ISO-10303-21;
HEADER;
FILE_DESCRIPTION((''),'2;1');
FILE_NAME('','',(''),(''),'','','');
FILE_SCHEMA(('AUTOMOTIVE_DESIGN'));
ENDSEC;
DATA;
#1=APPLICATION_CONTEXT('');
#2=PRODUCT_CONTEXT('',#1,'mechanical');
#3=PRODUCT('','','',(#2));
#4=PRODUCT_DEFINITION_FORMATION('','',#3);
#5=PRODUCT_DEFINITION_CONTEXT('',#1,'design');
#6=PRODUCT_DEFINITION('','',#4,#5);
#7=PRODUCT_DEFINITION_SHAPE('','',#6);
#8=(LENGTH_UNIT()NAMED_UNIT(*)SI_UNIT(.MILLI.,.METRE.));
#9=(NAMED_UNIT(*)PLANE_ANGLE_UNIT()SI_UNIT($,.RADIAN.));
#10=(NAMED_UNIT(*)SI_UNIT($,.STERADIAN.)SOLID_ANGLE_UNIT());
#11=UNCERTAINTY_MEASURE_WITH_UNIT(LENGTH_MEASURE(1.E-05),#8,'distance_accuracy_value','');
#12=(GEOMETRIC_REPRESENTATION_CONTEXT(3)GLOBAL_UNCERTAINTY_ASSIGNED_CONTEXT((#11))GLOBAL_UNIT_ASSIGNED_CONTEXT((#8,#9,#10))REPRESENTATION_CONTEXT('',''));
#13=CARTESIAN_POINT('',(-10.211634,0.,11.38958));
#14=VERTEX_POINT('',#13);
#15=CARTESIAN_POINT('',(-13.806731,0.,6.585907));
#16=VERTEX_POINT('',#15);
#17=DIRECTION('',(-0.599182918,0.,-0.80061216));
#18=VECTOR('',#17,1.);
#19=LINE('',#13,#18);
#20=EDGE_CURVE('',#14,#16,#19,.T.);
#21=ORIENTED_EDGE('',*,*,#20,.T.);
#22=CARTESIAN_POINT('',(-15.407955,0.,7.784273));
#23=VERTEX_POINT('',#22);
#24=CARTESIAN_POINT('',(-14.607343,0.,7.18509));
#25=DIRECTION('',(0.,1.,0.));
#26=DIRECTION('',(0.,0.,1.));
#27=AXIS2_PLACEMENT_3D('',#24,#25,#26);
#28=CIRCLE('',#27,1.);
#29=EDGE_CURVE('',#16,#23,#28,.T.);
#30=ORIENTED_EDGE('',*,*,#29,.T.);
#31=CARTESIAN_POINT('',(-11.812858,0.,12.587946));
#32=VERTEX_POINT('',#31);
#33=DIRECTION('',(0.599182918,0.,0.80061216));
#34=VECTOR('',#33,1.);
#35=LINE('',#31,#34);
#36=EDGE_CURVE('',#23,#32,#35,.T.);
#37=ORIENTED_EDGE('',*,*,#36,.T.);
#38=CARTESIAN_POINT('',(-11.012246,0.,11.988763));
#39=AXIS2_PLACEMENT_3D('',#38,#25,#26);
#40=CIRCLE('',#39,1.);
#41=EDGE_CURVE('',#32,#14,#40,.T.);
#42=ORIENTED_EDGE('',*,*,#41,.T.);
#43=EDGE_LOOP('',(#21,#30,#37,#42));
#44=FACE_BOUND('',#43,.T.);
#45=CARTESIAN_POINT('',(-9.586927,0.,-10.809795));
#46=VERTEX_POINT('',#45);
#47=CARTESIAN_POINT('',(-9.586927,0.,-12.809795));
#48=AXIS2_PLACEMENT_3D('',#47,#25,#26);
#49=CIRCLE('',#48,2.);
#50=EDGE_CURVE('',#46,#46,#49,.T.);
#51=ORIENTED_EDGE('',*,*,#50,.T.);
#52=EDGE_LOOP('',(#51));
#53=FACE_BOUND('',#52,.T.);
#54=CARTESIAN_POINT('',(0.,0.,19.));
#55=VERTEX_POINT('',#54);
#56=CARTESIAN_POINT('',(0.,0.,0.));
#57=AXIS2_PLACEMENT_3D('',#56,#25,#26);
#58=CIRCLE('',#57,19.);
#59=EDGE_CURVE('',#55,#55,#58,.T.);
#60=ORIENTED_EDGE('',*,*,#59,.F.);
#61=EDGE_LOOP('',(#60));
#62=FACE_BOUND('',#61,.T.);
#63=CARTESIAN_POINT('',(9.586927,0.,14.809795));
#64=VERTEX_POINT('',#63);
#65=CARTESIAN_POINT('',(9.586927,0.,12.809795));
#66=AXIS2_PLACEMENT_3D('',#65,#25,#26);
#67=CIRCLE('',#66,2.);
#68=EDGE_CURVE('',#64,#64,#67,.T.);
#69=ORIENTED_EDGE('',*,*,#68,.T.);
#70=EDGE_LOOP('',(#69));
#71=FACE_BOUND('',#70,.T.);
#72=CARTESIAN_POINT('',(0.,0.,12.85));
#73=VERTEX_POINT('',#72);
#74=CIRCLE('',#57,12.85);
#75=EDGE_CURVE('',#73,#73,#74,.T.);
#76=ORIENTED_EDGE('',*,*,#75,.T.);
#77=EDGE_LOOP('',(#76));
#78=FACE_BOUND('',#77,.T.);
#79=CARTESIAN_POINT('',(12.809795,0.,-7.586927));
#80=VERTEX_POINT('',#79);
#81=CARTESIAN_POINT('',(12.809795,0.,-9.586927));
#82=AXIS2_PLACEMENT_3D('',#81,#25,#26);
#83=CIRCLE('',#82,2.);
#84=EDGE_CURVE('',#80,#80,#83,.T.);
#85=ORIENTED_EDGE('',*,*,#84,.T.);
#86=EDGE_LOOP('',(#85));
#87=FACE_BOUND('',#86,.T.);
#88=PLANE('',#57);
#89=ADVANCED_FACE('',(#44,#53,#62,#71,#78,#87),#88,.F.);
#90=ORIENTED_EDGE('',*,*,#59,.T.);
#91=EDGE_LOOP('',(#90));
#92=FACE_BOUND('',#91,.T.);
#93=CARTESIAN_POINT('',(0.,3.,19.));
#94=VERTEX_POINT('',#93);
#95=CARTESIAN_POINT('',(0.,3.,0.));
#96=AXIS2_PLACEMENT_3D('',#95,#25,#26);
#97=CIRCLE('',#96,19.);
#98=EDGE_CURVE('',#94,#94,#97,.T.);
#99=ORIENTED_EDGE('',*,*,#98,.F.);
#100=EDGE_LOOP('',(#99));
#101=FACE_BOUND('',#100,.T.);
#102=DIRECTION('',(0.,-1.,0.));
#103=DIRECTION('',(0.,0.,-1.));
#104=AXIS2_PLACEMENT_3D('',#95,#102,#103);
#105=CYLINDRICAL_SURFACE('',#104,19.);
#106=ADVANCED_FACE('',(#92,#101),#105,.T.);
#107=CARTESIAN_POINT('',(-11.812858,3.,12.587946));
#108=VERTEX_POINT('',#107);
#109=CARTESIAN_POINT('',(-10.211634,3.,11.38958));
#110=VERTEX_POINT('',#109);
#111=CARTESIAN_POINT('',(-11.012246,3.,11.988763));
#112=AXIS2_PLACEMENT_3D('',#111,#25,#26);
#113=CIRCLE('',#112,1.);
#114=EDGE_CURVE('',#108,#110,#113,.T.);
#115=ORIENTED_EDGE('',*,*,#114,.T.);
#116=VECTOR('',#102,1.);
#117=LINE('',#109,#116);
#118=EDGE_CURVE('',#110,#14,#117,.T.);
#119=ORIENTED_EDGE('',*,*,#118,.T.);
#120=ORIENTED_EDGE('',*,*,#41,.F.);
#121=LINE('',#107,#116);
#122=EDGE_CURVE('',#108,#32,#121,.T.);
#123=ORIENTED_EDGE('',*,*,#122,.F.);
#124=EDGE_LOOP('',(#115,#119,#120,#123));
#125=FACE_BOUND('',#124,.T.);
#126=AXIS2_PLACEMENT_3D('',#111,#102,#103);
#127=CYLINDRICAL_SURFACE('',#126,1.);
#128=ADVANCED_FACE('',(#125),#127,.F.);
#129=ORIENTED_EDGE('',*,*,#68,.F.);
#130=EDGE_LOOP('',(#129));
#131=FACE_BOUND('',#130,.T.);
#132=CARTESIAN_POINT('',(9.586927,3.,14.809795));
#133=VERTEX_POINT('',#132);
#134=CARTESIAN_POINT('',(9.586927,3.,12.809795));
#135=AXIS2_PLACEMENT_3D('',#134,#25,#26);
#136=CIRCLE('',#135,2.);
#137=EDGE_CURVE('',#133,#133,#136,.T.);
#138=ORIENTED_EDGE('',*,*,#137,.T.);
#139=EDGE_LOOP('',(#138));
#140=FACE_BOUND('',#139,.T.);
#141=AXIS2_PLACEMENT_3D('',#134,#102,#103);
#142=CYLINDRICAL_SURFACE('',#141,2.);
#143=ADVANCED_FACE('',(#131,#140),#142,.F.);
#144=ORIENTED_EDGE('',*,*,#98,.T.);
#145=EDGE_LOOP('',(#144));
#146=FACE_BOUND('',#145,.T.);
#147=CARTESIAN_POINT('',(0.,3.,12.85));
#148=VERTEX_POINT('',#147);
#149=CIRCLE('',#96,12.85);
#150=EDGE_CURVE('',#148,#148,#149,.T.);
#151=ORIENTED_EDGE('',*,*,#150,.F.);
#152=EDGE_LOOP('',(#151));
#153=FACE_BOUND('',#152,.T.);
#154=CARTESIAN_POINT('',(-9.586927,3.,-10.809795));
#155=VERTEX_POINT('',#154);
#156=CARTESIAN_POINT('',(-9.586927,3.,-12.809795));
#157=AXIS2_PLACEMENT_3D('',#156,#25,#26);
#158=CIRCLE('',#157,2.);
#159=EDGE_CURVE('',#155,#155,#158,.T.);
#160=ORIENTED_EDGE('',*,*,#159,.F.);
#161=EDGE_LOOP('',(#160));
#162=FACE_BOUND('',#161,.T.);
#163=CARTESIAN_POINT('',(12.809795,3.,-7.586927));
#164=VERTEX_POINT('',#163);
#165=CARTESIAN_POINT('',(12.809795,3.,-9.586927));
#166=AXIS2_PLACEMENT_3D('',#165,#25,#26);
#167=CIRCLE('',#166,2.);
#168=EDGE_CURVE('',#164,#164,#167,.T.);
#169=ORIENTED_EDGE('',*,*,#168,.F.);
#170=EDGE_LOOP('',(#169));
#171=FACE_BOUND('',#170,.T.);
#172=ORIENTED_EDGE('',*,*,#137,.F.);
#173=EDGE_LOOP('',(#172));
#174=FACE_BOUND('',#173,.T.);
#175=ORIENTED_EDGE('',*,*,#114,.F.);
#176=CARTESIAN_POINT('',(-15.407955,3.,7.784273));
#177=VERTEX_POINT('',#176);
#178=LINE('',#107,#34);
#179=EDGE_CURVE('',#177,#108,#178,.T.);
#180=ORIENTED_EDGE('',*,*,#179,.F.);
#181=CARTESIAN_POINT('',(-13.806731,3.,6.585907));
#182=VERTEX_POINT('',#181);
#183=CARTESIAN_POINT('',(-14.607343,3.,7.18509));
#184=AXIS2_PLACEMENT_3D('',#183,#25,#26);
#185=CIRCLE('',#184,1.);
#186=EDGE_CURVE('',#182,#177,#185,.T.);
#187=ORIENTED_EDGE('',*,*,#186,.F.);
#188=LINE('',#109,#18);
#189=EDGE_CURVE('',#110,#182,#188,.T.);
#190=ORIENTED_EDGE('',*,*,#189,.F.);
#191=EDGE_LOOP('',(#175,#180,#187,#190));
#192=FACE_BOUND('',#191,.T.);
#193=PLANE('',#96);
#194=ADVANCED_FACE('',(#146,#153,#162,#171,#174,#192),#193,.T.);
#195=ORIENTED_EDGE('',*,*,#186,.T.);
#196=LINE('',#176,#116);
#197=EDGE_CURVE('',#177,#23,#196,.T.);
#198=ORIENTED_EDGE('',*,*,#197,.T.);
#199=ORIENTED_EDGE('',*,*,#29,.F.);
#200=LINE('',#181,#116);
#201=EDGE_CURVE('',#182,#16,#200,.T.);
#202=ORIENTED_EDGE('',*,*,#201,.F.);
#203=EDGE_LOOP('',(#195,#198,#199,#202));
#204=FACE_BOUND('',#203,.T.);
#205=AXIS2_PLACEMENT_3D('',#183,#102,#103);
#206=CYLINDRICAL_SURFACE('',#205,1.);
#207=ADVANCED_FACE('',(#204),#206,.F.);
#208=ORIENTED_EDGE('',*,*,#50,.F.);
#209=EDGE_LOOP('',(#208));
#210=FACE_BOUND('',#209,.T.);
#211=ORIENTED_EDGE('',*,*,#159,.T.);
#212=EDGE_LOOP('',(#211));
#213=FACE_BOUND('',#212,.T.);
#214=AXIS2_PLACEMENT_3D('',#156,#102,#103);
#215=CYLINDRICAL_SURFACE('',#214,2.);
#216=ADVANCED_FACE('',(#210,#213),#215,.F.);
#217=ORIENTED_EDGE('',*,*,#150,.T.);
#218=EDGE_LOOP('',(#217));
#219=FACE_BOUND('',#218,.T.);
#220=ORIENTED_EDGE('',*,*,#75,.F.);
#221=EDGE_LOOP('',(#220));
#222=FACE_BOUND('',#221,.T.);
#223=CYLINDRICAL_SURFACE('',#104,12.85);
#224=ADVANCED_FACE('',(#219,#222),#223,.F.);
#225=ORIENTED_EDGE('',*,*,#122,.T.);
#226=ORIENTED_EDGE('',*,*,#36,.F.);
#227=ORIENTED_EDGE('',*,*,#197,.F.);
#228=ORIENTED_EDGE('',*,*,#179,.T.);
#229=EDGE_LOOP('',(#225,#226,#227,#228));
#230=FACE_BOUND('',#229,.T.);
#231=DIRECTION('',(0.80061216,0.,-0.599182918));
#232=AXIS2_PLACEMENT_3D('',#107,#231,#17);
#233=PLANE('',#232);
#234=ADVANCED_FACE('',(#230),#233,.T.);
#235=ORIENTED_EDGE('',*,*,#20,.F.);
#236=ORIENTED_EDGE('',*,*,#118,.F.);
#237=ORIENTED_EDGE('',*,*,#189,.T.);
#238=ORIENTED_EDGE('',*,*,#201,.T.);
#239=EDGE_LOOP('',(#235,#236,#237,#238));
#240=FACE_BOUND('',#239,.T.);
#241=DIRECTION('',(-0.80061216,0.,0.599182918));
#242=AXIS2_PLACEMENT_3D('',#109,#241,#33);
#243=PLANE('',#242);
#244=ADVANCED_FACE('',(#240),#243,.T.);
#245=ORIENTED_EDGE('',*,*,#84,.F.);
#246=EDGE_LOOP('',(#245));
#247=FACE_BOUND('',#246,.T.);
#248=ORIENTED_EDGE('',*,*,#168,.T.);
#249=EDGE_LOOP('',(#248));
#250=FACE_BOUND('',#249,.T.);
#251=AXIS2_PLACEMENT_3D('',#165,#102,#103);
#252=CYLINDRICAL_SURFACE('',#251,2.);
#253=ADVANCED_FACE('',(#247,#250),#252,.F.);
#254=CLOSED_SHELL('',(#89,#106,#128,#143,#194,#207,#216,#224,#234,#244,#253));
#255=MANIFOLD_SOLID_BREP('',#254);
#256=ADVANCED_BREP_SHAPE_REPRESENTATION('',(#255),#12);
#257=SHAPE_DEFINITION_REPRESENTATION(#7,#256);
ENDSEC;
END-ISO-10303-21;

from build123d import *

# Parameters (mm, degrees)
SKETCH1_R           = 19
SKETCH1_R_2         = 12.85
SKETCH1_R_3         = 2
BOSS_EXTRUDE1_DEPTH = 3


with BuildPart() as part:
    # Sketch1 → Boss-Extrude1 (new body)
    with BuildSketch(Plane(origin=(0, 0, 0), x_dir=(1, 0, 0), z_dir=(0, 1, 0))):
        Circle(SKETCH1_R)
        Circle(SKETCH1_R_2, mode=Mode.SUBTRACT)
        with Locations((-9.586926691, 12.809794558)):
            Circle(SKETCH1_R_3, mode=Mode.SUBTRACT)
        with Locations((12.809794558, 9.586926691)):
            Circle(SKETCH1_R_3, mode=Mode.SUBTRACT)
        with Locations((9.586926691, -12.809794558)):
            Circle(SKETCH1_R_3, mode=Mode.SUBTRACT)
        with BuildLine():
            Line((-11.812857964, -12.587946089), (-15.407955473, -7.784273129))
            ThreePointArc((-15.407955473, -7.784273129), (-15.206526231, -6.384478051), (-13.806731153, -6.585907293))
            Line((-13.806731153, -6.585907293), (-10.211633644, -11.389580252))
            ThreePointArc((-10.211633644, -11.389580252), (-10.413062886, -12.78937533), (-11.812857964, -12.587946089))
        make_face(mode=Mode.SUBTRACT)
    extrude(amount=BOSS_EXTRUDE1_DEPTH)


solid = part.part
